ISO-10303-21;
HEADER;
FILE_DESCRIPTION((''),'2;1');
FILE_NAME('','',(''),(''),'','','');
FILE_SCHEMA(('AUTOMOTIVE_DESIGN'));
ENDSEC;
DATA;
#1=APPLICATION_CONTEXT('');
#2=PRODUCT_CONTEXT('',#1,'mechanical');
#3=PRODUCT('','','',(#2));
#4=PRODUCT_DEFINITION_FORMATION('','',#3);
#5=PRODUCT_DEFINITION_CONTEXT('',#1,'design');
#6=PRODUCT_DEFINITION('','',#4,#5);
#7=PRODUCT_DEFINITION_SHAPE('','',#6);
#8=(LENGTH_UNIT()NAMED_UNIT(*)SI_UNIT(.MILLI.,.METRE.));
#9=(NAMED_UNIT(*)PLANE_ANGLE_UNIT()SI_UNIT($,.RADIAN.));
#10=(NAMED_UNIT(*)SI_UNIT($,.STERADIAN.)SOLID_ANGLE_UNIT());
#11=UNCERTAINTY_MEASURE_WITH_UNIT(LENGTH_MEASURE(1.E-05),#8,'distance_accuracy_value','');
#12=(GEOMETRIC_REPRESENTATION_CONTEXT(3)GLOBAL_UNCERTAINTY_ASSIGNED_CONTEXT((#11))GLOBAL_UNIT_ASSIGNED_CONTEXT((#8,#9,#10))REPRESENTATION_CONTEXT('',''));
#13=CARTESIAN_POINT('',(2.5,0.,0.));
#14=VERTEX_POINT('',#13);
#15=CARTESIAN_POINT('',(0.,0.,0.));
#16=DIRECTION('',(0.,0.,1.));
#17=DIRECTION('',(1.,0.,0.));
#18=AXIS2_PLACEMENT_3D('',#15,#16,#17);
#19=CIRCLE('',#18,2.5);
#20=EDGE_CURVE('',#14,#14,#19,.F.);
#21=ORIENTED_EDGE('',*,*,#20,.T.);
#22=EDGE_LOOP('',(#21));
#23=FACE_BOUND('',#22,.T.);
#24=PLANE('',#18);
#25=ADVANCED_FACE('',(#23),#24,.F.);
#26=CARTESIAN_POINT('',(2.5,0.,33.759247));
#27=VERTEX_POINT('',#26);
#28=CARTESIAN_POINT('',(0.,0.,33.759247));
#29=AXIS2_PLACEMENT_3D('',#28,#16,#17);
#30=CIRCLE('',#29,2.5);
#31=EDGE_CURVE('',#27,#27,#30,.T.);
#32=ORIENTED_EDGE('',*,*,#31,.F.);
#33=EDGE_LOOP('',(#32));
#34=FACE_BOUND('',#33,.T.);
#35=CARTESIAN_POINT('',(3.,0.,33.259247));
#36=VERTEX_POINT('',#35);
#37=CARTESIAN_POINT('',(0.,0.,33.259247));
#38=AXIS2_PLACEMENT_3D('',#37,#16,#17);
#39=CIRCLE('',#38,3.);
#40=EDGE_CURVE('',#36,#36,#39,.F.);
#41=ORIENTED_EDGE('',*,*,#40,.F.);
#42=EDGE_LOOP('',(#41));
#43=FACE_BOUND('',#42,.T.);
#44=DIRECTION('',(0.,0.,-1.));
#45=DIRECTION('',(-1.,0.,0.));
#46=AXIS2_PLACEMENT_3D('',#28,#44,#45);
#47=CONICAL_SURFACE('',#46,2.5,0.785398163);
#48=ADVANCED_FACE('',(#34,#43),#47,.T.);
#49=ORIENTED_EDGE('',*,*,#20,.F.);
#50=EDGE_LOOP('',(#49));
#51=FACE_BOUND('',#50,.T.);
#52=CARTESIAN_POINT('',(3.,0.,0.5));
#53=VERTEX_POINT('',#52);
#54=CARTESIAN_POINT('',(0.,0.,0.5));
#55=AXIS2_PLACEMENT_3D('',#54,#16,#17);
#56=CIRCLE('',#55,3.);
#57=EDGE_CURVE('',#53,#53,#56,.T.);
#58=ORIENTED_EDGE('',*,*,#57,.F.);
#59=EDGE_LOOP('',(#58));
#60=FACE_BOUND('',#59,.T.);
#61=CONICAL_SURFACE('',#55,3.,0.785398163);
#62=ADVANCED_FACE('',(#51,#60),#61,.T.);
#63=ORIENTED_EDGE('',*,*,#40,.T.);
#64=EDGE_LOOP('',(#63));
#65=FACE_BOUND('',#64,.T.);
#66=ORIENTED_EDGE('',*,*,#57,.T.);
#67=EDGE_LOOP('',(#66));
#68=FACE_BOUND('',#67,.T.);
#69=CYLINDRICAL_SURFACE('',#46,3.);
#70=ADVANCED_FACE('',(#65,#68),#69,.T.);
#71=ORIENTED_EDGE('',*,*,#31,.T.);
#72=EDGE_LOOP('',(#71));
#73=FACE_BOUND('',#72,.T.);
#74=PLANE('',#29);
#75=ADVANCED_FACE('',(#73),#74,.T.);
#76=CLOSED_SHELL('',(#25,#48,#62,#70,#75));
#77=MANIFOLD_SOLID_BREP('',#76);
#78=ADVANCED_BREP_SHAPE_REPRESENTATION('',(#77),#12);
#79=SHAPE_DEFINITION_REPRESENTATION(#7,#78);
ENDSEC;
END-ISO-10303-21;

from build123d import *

# Parameters (mm, degrees)
SKETCH1_R           = 3
BOSS_EXTRUDE1_DEPTH = 33.75924676
CHAMFER1_SIZE       = 0.5


with BuildPart() as part:
    # Sketch1 → Boss-Extrude1 (new body)
    with BuildSketch(Plane.XY):
        Circle(SKETCH1_R)
    extrude(amount=BOSS_EXTRUDE1_DEPTH)

    # Chamfer1
    chamfer1_edges = [part.edges().sort_by_distance(p)[0] for p in [
        (-3, 0, 0),
        (-3, 0, 33.75924676),
    ]]
    chamfer(chamfer1_edges, length=CHAMFER1_SIZE)


solid = part.part
